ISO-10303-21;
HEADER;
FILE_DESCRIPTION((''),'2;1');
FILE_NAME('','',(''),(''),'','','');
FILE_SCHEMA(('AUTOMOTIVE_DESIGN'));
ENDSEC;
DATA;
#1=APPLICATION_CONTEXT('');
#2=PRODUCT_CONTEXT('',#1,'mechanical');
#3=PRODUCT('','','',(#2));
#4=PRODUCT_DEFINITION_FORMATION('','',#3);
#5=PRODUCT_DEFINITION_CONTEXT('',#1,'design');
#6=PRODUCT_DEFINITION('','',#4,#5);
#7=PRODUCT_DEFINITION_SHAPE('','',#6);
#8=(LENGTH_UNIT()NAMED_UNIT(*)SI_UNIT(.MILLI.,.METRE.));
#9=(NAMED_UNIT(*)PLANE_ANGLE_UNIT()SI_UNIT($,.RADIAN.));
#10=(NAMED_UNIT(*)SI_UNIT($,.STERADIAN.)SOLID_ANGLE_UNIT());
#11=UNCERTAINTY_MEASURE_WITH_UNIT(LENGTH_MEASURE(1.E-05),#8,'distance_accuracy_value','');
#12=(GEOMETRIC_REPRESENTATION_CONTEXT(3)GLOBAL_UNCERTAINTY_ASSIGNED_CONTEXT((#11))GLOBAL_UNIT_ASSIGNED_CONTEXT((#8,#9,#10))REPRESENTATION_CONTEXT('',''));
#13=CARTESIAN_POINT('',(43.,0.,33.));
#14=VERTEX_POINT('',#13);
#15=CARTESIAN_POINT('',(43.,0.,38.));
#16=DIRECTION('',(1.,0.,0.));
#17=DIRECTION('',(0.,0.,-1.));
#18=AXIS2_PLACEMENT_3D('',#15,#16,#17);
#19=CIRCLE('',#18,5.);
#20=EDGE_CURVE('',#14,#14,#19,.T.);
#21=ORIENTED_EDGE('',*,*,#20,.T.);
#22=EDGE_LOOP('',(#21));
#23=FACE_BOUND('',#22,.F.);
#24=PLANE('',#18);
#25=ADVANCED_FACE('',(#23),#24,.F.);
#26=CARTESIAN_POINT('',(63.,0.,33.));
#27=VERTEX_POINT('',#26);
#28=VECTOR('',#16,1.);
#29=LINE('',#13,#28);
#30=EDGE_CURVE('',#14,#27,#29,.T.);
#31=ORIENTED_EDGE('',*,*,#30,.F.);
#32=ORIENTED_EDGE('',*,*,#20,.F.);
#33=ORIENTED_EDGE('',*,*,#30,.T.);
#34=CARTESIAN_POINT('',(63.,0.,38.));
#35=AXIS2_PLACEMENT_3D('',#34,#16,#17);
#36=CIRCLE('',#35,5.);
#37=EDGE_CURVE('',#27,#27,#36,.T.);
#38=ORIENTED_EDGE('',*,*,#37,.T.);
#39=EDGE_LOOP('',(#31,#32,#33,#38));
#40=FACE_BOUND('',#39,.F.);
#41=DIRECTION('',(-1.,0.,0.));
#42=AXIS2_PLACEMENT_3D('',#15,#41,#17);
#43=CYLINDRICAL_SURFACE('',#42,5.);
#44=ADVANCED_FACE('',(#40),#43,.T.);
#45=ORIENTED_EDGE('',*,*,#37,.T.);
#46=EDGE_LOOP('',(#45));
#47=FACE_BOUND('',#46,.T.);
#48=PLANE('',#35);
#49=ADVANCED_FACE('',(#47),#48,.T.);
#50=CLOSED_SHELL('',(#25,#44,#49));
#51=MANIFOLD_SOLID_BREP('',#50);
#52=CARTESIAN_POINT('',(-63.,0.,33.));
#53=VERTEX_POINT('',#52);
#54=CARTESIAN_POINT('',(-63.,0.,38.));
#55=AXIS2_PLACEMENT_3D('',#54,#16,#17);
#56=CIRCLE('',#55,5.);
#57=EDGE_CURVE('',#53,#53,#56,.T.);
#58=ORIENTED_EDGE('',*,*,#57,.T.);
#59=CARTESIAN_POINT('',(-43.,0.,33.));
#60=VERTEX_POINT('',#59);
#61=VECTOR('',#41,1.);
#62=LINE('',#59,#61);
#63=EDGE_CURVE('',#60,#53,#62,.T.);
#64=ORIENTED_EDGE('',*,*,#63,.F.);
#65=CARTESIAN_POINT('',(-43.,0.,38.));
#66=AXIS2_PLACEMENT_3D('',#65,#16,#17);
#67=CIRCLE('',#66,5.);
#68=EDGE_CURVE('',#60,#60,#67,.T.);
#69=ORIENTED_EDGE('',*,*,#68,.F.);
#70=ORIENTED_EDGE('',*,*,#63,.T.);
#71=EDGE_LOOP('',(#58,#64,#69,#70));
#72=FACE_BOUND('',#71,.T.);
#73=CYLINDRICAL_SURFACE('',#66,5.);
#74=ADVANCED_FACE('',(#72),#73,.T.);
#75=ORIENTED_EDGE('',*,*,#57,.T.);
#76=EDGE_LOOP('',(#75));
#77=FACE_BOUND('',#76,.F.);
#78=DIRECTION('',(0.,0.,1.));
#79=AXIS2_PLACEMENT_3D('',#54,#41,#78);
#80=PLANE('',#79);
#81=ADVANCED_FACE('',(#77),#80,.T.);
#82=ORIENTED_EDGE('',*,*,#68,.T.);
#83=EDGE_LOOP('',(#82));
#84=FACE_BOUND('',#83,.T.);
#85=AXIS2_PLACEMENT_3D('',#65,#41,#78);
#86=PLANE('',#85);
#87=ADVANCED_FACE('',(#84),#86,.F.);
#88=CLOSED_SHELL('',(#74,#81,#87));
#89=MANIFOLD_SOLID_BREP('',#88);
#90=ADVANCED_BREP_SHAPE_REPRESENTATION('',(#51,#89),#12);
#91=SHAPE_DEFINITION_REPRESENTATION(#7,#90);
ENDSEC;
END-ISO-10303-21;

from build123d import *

# Parameters (mm, degrees)
CYLINDER004_R     = 5
CYLINDER004_DEPTH = 20


with BuildPart() as agujero_cables:
    # Cylinder004 → Cylinder004 (new body)
    with BuildSketch(Plane(origin=(43, 0, 38), x_dir=(0, 0, -1), z_dir=(1, 0, 0))):
        Circle(CYLINDER004_R)
    extrude(amount=CYLINDER004_DEPTH)


with BuildPart() as part_mirroring007:
    # Part__Mirroring007: instance of agujero-cables
    add(agujero_cables.part.mirror(Plane(origin=(0, 0, 0), x_dir=(0, -1, 0), z_dir=(1, 0, 0))))


with BuildPart() as agujeros_cables:
    # Fusion001030 base: copy of agujero-cables
    add(agujero_cables.part)

    # Fusion001030: union Part__Mirroring007
    add(part_mirroring007.part)


solid = agujeros_cables.part
